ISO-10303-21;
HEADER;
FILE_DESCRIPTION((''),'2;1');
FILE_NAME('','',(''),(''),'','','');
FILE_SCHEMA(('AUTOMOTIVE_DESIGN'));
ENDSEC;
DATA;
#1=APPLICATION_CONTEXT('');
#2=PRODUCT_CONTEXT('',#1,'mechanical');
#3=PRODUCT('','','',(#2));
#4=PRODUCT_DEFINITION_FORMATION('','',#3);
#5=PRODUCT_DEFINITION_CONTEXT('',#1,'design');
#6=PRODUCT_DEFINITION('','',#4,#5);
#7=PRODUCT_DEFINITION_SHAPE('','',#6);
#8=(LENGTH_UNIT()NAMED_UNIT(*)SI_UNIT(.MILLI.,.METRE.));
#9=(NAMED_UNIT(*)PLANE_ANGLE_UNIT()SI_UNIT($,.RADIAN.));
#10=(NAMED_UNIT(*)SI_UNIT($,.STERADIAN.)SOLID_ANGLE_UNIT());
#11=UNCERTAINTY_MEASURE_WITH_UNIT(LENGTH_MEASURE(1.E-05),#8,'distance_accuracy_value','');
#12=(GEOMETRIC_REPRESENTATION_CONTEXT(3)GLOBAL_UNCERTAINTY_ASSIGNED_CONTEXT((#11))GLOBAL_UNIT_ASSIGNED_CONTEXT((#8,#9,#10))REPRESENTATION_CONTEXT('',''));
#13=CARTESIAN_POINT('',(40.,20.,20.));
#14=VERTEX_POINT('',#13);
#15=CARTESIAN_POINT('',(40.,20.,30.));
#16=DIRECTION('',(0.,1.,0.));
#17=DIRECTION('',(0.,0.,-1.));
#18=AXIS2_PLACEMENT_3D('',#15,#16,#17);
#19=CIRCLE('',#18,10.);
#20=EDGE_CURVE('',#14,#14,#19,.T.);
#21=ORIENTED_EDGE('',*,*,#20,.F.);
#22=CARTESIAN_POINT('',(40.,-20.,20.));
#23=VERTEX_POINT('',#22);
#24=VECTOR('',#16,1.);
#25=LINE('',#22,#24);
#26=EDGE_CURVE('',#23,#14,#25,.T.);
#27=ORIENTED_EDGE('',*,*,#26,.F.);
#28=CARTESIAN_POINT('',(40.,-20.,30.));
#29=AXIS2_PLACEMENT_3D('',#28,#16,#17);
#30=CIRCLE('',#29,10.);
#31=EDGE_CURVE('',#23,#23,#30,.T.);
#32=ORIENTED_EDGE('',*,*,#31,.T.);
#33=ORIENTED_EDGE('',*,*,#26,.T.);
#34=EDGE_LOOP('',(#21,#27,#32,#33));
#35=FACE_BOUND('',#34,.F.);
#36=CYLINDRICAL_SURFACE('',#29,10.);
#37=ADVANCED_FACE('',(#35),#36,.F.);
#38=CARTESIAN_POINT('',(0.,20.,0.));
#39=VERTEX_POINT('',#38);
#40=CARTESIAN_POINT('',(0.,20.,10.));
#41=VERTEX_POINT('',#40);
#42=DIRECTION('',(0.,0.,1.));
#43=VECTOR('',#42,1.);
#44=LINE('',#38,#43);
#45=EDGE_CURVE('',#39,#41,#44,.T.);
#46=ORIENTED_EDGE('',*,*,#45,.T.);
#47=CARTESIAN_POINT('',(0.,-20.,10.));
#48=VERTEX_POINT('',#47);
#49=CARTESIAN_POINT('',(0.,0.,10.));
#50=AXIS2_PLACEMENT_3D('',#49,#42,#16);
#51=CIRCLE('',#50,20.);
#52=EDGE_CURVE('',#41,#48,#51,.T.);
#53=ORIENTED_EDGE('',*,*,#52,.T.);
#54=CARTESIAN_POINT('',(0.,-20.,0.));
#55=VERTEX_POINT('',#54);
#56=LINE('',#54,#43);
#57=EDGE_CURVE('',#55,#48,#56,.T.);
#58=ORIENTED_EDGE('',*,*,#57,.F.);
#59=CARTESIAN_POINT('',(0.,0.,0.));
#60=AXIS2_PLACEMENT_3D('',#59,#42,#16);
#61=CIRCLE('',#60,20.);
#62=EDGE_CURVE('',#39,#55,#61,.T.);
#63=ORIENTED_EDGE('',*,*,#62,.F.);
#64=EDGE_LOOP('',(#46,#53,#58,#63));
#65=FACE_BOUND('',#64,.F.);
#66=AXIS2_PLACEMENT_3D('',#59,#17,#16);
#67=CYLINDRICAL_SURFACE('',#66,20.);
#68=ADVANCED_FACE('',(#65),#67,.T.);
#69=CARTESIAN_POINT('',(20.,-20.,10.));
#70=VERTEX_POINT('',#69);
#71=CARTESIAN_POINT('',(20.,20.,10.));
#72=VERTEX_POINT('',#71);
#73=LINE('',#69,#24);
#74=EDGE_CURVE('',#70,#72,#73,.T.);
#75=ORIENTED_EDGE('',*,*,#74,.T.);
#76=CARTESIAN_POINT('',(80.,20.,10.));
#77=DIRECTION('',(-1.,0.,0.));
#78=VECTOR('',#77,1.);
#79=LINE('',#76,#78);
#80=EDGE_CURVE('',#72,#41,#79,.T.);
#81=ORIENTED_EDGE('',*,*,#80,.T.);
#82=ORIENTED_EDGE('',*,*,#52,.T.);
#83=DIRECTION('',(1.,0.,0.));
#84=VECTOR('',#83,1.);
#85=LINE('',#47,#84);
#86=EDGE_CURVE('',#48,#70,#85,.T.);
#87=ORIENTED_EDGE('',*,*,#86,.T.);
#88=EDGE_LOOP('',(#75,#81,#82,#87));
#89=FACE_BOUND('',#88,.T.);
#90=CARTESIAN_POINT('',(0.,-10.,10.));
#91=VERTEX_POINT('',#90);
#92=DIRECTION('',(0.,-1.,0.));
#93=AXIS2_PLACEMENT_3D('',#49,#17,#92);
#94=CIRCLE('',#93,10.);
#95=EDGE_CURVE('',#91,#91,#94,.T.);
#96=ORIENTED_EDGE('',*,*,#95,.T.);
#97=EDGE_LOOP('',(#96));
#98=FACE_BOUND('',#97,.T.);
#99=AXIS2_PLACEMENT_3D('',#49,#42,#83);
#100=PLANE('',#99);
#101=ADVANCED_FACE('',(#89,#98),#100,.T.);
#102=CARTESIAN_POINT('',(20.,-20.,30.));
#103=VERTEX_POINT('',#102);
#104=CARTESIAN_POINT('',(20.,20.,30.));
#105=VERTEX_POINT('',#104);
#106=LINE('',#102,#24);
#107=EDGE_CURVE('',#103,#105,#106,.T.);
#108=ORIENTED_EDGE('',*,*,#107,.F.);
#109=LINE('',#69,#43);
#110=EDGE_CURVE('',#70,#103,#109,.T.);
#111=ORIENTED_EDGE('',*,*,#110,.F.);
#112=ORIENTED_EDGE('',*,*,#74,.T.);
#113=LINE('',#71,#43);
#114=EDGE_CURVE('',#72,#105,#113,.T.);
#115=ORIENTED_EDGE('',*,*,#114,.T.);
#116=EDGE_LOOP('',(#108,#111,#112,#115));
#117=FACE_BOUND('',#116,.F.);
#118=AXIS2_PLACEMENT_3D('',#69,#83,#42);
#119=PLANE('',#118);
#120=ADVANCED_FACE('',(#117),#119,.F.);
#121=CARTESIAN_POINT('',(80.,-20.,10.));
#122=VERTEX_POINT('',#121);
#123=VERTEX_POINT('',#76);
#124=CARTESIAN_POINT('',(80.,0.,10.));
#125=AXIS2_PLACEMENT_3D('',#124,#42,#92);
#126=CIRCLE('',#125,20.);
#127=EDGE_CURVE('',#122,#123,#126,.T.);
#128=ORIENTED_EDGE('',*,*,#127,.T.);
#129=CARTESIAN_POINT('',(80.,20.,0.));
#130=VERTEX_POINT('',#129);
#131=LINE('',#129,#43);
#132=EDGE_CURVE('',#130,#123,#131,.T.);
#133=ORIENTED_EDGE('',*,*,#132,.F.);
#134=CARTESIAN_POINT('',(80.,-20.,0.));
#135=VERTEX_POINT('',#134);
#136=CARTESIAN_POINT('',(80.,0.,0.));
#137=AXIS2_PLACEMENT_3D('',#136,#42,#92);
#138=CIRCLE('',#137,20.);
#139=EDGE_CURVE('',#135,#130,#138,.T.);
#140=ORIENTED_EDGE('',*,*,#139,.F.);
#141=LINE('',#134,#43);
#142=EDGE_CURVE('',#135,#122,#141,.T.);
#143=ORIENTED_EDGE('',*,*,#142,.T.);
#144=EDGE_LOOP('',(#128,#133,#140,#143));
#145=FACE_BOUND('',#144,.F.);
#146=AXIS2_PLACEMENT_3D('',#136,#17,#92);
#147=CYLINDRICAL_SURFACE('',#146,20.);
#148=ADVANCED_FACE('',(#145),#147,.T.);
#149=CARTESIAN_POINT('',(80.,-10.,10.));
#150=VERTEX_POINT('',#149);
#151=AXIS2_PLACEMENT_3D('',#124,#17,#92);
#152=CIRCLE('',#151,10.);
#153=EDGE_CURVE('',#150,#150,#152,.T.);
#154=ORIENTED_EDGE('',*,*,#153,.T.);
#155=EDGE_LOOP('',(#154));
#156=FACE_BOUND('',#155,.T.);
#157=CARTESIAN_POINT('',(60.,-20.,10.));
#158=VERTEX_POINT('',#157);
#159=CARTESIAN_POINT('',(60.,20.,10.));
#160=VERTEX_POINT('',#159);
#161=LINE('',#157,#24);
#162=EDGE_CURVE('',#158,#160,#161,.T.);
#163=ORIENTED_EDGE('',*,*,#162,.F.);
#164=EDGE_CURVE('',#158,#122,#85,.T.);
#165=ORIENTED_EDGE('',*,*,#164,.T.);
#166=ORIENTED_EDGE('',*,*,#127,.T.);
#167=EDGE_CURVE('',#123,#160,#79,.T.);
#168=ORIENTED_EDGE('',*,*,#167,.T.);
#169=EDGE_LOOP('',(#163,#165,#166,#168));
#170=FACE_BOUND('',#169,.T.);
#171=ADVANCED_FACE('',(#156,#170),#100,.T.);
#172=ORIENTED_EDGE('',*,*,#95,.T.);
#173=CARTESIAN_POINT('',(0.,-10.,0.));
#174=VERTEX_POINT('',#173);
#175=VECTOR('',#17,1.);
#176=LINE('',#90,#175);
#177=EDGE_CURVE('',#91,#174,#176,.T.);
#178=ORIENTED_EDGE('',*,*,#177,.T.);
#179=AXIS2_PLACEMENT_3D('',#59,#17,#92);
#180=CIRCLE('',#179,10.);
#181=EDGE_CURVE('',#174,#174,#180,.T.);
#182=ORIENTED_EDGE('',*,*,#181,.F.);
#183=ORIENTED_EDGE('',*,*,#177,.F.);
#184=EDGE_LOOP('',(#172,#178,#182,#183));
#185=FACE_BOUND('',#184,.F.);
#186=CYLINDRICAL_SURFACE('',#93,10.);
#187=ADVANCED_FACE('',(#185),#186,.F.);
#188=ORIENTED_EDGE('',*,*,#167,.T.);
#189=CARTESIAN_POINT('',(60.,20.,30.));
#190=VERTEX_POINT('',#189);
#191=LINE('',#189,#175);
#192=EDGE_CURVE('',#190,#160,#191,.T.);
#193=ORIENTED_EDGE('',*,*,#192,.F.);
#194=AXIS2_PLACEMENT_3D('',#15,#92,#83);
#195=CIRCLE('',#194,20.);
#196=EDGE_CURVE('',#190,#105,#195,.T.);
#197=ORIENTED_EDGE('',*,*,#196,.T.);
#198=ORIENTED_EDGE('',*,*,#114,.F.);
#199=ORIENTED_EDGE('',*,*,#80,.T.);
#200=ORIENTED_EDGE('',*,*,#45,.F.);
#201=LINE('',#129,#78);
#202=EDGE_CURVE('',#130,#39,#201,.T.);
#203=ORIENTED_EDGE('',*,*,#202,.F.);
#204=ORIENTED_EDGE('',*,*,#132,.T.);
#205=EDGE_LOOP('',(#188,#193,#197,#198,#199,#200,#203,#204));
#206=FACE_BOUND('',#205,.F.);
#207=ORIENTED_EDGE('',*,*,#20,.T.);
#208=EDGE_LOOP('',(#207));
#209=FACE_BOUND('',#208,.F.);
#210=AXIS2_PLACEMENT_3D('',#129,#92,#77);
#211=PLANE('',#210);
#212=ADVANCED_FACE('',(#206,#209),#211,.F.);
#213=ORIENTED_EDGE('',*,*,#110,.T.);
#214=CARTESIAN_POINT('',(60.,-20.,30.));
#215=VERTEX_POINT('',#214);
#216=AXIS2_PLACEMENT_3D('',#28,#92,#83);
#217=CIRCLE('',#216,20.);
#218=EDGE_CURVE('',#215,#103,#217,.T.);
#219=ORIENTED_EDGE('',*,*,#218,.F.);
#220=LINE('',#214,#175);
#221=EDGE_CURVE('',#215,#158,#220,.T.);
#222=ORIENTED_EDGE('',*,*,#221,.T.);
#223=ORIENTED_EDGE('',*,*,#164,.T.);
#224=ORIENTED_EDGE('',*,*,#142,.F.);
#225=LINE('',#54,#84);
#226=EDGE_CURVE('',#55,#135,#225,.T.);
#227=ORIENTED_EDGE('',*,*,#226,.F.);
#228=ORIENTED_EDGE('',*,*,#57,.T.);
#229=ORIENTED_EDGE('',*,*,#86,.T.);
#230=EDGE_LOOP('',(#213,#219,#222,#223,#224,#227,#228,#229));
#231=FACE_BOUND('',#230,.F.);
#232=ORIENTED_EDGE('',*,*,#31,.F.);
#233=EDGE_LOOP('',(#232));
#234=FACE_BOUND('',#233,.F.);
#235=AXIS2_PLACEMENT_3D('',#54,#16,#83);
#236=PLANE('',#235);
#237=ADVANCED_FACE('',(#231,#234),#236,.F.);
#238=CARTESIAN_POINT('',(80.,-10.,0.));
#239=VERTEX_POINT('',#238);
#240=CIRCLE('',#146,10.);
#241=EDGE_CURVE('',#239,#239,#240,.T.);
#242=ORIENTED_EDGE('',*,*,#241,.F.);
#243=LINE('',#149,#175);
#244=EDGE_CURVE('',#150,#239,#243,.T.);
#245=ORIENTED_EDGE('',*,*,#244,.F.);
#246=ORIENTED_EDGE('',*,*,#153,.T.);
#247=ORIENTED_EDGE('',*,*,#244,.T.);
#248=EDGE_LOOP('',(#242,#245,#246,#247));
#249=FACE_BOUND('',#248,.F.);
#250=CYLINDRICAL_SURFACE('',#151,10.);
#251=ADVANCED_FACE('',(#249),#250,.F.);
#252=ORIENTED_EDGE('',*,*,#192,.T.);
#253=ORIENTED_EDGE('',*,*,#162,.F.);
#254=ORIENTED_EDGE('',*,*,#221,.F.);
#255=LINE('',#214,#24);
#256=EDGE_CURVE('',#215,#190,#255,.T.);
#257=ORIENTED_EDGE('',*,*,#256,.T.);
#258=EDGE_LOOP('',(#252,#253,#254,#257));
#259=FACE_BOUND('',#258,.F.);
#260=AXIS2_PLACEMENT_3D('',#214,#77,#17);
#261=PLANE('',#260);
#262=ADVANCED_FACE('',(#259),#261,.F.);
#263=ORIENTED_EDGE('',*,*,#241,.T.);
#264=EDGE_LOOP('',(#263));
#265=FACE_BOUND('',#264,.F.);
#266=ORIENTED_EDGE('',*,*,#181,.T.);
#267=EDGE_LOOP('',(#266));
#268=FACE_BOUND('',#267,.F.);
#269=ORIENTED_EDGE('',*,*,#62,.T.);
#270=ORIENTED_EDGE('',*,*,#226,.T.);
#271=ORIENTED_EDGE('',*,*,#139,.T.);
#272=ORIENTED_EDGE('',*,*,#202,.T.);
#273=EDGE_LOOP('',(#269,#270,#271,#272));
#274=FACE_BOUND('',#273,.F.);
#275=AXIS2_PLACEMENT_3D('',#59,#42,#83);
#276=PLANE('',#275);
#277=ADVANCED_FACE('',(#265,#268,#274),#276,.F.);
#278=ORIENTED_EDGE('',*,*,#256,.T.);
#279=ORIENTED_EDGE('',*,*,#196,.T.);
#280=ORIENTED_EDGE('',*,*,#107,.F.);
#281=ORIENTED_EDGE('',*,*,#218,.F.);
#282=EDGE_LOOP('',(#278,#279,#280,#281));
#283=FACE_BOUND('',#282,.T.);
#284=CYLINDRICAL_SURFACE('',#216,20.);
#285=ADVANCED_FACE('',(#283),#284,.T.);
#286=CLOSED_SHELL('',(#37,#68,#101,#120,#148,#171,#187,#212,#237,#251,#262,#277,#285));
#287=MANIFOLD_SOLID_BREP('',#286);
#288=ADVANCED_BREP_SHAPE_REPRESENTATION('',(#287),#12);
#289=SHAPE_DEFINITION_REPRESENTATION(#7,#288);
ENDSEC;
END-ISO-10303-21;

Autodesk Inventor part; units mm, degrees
ref_plane "YZ Plane" through (0, 0, 0) normal (1, 0, 0) x (0, 1, 0)
ref_plane "XZ Plane" through (0, 0, 0) normal (0, 1, 0) x (-1, 0, 0)
ref_plane "XY Plane" through (0, 0, 0) normal (0, 0, 1) x (1, 0, 0)
sketch "Skizze1" plane through (0, 0, 0) normal (0, 0, 1) x (1, 0, 0)
  line L0 (0, 0) -> (80, 0) construction
  line L1 (0, -20) -> (80, -20)
  line L2 (80, 20) -> (0, 20)
  arc A0 (0, 20) -> (0, -20) centre (0, 0) ccw
  arc A1 (80, -20) -> (80, 20) centre (80, 0) ccw
  point P0 (40, 0)
  dimension "d0" = 80
  dimension "d1" = 40
extrude "Extrusion1" add sketch "Skizze1" along normal blind 10
sketch "Skizze3" plane through (0, -20, 0) normal (0, -1, 0) x (1, 0, 0)
  line L0 (80, 10) -> (0, 10) projected
  line L1 (20, 10) -> (20, 30)
  arc A0 (60, 30) -> (20, 30) centre (40, 30) ccw
  line L2 (60, 30) -> (60, 10)
  line L3 (80, 0) -> (0, 0) projected
  line L4 (40, 0) -> (40, 30) construction
  dimension "d4" = 20
  dimension "d5" = 20
extrude "Extrusion2" add sketch "Skizze3" against normal up to surface (40 mm away)
sketch "Skizze4" plane through (0, -20, 0) normal (0, -1, 0) x (1, 0, 0)
  arc A0 (60, 30) -> (20, 30) centre (40, 30) ccw projected
  point P0 (0, 0)
hole "Bohrung1" at (40, -20, 30) direction (0, 1, 0) diameter 20 end through all
sketch "Skizze5" plane through (0, 0, 10) normal (0, 0, 1) x (1, 0, 0)
  arc A0 (0, 20) -> (0, -20) centre (0, 0) ccw projected
hole "Bohrung2" at (0, 0, 10) direction (0, 0, -1) diameter 20 end through all
sketch "Skizze6" plane through (0, 0, 10) normal (0, 0, 1) x (1, 0, 0)
  arc A0 (80, -20) -> (80, 20) centre (80, 0) ccw projected
  point P0 (0, 0)
  point P1 (80, 0)
hole "Bohrung3" at (80, 0, 10) direction (0, 0, -1) diameter 20 end through all
properties part number "practice2" material "Stahl, Guss"
